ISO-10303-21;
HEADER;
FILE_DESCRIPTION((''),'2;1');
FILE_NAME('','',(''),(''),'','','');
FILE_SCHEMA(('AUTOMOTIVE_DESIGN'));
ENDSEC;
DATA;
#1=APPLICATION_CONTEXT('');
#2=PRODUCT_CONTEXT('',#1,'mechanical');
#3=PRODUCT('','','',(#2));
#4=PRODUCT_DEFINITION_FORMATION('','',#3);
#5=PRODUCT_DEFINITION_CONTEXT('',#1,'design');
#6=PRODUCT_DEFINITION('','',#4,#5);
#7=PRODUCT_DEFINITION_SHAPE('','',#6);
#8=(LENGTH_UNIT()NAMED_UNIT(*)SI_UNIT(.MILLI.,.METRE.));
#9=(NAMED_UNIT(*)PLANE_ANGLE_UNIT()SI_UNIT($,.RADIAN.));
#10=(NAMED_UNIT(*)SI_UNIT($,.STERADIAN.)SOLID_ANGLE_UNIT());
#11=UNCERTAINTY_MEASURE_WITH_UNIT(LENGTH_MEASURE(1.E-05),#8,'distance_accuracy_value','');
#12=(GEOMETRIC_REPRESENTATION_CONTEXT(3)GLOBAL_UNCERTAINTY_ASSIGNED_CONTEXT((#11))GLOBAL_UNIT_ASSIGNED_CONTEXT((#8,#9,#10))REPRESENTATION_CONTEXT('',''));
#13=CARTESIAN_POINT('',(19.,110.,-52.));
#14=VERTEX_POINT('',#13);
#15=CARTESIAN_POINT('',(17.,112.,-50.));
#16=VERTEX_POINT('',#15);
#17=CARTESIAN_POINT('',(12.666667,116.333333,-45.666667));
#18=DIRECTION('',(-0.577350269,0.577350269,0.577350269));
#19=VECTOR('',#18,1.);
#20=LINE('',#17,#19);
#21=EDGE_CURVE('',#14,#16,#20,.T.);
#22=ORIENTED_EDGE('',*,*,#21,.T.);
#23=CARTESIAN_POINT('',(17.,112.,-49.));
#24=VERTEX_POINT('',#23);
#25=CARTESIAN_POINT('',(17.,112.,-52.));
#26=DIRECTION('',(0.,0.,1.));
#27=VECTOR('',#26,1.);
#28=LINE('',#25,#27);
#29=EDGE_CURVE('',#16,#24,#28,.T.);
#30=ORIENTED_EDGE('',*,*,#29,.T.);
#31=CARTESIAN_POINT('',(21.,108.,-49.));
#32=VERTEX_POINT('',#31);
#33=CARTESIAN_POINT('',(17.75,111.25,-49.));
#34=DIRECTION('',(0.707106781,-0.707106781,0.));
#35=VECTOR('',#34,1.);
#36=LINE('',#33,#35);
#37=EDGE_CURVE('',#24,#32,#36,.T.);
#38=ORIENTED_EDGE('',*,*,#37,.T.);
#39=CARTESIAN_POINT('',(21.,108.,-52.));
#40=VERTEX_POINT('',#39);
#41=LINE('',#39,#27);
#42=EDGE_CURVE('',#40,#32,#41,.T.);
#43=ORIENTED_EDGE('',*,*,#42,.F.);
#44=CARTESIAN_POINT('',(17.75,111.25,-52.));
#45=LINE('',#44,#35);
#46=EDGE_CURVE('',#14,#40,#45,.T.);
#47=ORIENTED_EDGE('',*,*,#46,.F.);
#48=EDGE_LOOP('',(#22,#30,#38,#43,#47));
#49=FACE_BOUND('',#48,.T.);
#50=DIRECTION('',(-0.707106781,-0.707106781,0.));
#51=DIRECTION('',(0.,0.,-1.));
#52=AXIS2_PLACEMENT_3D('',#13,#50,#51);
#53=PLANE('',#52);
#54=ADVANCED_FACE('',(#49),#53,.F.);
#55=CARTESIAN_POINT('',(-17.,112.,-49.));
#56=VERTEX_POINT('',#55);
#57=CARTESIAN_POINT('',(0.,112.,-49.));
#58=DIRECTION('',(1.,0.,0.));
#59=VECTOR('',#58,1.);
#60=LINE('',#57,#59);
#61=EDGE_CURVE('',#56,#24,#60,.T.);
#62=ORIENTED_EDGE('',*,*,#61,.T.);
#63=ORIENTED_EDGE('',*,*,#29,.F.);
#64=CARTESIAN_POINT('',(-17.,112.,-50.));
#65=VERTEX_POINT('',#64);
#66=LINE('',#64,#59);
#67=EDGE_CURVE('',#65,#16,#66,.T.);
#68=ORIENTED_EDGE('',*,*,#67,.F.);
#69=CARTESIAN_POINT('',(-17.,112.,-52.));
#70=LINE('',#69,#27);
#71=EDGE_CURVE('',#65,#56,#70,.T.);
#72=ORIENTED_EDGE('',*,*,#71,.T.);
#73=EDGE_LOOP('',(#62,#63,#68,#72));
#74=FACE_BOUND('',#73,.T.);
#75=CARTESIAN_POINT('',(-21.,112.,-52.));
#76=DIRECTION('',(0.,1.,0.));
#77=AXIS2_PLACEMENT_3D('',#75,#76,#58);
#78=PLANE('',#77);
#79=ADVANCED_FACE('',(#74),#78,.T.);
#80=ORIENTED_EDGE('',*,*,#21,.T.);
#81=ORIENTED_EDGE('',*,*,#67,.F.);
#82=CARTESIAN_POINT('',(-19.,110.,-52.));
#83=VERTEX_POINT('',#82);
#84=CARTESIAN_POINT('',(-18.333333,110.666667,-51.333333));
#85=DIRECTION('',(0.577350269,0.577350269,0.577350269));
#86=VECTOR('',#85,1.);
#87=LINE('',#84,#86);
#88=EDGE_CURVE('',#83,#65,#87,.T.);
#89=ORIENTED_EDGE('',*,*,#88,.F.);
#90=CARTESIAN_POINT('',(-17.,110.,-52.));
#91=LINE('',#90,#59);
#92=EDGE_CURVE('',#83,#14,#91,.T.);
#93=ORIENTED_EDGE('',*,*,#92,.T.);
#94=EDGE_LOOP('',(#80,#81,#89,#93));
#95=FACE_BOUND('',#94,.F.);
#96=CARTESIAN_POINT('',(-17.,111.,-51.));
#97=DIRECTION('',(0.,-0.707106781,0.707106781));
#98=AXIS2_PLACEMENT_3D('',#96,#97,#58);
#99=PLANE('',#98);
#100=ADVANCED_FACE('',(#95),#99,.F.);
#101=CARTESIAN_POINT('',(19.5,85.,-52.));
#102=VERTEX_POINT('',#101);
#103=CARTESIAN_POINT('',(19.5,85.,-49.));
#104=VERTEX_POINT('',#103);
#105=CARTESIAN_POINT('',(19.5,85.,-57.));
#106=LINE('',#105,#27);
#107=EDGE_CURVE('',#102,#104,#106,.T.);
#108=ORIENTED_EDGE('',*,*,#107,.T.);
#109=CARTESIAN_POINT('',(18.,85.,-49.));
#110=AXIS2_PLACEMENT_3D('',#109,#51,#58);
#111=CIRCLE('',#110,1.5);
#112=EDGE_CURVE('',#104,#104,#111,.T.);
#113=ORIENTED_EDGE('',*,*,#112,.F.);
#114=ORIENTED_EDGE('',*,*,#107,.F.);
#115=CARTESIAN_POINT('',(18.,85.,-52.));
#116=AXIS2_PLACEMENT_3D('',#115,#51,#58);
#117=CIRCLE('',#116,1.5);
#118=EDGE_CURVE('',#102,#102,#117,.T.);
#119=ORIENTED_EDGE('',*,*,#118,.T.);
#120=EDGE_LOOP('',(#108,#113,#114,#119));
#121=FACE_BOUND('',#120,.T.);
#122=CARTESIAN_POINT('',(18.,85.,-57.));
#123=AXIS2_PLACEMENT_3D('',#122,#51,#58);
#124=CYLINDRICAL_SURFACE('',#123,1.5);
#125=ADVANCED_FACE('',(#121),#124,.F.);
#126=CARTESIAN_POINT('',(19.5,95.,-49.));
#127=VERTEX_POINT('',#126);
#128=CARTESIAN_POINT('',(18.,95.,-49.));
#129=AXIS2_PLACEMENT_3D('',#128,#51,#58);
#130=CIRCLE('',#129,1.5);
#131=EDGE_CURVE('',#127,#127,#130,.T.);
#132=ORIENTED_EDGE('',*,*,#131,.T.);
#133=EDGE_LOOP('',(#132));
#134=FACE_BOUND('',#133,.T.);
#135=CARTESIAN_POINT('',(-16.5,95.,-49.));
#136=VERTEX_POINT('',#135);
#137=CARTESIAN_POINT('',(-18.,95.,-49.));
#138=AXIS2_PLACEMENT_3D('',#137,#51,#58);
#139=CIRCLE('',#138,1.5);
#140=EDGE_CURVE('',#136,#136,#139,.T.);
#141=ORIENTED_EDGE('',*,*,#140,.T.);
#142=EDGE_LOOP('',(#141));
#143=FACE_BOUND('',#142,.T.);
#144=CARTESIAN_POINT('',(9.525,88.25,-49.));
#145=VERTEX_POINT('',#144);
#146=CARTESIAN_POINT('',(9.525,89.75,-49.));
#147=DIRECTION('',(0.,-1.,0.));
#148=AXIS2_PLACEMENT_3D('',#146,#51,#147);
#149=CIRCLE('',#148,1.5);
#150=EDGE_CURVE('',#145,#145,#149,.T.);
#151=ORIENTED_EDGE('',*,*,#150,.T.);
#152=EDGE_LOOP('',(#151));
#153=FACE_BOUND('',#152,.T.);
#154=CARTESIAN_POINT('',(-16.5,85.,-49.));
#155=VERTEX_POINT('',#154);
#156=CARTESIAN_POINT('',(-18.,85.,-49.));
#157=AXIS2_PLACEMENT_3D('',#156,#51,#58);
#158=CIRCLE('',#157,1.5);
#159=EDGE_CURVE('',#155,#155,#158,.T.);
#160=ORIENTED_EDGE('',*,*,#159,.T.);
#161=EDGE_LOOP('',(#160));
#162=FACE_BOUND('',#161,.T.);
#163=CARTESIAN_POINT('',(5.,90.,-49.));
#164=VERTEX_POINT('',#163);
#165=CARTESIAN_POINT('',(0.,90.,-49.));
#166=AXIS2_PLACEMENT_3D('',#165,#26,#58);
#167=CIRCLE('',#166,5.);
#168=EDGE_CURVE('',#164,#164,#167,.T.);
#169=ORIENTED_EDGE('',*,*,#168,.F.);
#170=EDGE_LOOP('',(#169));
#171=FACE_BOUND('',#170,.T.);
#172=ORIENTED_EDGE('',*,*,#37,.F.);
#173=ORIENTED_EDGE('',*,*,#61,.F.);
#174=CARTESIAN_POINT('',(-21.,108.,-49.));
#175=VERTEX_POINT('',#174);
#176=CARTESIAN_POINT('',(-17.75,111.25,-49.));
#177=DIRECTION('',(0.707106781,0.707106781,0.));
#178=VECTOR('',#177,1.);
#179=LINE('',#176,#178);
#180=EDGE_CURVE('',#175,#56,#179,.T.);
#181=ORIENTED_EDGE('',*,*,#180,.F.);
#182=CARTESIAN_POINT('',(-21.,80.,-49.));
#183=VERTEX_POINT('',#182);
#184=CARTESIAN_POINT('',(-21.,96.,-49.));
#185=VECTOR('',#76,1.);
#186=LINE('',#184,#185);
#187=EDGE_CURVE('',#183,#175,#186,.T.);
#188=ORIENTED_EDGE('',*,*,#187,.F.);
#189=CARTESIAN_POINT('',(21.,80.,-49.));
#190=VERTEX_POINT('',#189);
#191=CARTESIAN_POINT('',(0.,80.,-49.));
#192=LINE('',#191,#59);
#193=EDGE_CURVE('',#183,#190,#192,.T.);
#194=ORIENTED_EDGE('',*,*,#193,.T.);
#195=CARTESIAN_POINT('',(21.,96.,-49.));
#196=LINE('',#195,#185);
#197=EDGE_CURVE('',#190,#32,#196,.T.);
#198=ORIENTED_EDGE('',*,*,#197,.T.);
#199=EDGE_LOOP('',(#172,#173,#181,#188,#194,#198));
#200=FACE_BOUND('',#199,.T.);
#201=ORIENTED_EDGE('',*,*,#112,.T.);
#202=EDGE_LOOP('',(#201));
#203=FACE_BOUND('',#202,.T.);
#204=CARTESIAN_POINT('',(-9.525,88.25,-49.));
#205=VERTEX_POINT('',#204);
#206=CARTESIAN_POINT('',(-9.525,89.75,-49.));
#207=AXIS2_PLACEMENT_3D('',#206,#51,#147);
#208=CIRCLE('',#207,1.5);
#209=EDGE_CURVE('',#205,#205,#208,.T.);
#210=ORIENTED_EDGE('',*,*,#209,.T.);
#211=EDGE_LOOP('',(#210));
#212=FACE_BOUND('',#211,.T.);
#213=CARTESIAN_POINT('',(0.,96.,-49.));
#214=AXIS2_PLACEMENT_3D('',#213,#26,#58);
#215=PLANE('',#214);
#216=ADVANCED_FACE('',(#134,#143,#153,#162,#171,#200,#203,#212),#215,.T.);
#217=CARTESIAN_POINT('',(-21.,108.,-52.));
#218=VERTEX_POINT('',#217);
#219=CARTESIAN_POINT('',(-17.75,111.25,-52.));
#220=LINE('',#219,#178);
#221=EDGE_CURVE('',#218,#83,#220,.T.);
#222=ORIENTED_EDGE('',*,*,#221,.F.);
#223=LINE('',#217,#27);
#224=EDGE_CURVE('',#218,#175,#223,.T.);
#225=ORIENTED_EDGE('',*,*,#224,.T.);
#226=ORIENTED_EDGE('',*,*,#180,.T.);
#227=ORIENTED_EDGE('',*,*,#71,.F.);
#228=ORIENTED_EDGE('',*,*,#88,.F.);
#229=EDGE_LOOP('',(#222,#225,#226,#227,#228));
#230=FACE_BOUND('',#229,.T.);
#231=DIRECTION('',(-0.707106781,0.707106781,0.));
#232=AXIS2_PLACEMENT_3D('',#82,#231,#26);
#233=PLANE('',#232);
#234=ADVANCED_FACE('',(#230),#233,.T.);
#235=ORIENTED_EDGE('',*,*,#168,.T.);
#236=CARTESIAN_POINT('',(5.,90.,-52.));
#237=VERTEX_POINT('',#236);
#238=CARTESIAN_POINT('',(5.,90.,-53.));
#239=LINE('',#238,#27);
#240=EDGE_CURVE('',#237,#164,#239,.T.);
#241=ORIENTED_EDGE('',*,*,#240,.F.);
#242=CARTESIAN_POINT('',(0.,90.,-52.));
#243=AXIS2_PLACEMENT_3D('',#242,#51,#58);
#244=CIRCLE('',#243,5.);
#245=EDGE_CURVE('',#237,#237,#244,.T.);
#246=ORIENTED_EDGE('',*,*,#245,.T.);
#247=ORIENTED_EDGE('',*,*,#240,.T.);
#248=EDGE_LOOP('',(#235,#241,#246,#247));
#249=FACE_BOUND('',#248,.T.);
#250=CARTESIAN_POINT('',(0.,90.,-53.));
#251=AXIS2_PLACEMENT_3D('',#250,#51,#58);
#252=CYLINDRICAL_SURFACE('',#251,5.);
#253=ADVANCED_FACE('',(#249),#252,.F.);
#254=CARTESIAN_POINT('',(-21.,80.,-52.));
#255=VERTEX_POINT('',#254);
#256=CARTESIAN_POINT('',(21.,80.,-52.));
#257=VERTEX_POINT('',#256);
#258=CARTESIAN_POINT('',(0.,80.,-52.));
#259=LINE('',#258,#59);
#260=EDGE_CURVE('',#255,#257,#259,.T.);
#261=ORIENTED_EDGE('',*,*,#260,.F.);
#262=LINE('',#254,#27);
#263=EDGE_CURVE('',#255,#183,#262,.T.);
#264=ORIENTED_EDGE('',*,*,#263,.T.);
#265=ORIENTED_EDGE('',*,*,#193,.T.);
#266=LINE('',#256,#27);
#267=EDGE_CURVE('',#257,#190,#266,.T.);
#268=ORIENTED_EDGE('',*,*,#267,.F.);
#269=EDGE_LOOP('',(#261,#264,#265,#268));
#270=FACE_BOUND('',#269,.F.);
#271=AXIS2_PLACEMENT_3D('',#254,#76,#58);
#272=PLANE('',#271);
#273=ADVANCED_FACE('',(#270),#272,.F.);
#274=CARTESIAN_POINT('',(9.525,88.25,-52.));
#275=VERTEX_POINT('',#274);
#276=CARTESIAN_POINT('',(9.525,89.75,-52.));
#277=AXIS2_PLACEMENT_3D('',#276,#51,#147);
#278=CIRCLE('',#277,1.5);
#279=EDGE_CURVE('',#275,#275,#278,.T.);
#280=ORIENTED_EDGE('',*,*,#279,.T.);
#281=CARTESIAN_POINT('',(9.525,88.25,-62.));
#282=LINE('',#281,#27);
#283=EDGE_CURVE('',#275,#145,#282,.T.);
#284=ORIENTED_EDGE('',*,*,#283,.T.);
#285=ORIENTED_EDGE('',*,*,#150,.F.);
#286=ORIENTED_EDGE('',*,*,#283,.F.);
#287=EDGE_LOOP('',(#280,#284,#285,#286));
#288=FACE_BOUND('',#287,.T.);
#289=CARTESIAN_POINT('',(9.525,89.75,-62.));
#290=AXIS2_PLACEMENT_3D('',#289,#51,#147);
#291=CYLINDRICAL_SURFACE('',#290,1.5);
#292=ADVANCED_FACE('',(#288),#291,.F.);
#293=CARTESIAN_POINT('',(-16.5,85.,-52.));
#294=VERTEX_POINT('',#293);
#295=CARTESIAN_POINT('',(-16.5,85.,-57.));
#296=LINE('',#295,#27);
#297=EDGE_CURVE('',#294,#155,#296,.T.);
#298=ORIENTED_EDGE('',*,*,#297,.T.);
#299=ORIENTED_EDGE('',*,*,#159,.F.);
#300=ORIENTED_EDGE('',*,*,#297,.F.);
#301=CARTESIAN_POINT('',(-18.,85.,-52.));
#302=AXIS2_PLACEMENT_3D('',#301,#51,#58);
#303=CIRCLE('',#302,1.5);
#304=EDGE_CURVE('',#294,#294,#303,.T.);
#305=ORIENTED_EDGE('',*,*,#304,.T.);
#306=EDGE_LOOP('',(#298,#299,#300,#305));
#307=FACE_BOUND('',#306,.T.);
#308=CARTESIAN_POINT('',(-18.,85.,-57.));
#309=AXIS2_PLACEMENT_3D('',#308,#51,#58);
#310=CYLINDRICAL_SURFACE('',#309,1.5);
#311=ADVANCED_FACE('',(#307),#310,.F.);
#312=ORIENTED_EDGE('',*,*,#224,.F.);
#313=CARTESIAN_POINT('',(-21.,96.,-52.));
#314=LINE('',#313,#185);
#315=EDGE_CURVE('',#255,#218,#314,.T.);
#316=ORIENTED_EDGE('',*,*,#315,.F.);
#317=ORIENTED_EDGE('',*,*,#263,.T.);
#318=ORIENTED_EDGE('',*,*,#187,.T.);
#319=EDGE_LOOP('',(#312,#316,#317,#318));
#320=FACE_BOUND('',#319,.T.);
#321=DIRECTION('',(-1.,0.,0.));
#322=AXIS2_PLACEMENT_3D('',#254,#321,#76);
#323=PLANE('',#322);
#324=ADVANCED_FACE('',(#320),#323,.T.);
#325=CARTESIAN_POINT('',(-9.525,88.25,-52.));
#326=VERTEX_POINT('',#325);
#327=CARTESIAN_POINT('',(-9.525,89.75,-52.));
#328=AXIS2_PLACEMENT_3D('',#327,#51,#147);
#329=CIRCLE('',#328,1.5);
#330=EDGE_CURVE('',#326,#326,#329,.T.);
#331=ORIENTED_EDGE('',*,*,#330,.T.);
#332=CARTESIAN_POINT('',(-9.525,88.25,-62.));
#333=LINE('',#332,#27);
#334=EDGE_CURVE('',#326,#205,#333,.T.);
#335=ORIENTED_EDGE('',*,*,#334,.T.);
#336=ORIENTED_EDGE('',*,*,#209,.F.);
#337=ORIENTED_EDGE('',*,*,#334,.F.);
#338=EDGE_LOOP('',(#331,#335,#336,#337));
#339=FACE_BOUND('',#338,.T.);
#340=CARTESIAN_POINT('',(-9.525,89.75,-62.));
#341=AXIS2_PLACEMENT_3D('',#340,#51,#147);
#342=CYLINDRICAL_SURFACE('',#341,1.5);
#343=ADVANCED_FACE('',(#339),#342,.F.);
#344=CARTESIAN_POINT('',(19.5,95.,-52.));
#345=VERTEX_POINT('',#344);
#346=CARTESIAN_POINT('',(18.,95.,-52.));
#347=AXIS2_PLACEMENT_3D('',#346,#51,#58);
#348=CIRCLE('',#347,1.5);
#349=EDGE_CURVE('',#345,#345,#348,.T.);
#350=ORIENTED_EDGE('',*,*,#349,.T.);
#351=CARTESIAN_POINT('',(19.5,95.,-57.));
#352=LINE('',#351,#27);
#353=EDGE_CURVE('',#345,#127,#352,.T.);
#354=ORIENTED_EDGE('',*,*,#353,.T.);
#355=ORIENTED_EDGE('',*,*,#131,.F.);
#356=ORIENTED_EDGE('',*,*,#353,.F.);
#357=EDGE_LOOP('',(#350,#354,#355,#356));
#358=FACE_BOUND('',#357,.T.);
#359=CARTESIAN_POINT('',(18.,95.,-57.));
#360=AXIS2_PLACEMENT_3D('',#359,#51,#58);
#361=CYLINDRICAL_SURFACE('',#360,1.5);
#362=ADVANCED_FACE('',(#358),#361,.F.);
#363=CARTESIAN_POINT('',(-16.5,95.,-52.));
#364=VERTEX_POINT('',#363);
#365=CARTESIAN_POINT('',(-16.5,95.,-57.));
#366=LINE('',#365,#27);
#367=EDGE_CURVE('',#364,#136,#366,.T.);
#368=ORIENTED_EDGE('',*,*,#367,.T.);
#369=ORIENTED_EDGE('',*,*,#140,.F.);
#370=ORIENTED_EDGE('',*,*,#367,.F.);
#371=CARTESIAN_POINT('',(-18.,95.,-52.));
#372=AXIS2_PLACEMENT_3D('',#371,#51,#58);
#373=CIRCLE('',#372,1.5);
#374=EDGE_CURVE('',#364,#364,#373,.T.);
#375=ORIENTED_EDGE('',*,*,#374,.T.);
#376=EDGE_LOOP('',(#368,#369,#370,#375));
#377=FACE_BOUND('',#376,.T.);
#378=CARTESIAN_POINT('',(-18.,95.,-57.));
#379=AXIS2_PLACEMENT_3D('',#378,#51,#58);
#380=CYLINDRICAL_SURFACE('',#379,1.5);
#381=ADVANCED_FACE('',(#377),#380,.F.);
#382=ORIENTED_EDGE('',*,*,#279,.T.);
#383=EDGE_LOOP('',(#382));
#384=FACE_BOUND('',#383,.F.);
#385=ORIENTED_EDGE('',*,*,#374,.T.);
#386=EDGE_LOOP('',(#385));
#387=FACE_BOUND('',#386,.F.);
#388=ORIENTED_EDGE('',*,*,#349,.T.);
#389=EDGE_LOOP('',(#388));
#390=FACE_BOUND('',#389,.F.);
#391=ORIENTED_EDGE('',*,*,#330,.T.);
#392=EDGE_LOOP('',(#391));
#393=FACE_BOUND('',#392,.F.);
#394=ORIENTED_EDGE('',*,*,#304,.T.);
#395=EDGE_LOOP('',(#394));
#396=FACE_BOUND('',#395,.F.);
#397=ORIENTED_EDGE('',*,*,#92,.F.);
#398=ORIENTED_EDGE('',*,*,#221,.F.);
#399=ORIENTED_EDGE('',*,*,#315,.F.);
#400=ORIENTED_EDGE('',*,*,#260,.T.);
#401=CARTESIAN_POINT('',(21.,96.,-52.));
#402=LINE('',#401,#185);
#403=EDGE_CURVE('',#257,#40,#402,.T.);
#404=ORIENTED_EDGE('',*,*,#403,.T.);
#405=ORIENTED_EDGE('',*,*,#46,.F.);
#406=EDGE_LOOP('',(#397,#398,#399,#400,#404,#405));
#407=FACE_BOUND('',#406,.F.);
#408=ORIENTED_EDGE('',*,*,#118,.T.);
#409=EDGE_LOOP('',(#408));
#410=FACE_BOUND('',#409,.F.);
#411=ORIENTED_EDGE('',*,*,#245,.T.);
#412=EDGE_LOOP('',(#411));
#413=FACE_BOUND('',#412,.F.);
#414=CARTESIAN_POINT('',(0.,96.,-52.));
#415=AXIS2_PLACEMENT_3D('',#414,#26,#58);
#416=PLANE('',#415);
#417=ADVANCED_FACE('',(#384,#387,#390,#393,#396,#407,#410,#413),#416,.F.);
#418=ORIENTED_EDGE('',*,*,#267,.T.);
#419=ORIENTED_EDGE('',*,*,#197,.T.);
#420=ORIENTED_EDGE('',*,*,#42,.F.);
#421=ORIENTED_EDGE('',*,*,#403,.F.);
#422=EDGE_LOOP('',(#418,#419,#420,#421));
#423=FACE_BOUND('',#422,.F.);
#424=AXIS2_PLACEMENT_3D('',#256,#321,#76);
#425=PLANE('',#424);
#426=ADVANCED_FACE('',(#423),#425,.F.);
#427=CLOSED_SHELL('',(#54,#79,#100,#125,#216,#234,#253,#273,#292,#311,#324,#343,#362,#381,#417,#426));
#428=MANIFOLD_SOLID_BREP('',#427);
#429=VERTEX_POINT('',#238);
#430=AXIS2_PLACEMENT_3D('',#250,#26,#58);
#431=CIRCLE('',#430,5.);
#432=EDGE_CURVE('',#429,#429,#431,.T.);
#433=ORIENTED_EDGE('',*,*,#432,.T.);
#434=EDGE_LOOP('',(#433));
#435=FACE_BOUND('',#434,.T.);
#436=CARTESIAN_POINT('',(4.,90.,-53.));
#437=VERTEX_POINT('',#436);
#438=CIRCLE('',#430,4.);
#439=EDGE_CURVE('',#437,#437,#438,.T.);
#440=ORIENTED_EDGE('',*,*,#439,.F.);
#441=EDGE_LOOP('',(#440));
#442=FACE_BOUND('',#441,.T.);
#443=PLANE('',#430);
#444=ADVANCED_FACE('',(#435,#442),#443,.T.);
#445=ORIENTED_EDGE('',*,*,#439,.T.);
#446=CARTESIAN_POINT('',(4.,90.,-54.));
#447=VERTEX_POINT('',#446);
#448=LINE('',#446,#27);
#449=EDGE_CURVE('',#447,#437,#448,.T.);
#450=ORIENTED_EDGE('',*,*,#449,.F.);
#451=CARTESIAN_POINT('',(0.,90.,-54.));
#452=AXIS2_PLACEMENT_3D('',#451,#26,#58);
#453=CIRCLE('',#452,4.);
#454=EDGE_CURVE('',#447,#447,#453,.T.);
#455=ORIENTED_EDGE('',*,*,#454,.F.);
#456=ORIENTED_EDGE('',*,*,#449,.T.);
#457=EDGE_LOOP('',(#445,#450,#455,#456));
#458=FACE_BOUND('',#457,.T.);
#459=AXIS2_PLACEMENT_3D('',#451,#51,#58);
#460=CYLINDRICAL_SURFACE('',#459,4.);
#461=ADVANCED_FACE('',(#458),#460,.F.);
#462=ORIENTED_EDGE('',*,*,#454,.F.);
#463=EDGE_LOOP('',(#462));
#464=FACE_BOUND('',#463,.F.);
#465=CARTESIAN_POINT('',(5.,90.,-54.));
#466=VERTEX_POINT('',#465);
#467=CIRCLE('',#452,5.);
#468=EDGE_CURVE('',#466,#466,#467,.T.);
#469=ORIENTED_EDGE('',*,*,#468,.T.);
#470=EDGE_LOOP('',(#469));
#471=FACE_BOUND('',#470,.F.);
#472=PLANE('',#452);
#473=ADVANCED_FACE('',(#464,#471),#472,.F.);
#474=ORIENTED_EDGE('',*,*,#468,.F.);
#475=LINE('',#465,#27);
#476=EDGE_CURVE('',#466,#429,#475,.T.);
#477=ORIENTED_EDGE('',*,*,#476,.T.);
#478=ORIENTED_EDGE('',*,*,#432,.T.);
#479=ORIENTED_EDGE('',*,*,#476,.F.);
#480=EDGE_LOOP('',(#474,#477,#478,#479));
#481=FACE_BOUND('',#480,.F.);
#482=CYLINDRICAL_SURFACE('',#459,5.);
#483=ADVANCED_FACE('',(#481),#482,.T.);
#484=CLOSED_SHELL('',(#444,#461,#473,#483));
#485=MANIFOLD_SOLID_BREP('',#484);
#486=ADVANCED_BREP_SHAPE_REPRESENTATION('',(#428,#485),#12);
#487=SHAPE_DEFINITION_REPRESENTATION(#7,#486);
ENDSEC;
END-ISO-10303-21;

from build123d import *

# Parameters (mm, degrees)
TUBE066_R                   = 5
TUBE066_R_2                 = 4
TUBE066_DEPTH               = 1
CYLINDER1691_R              = 1.5
CYLINDER1691_DEPTH          = 20
CYLINDER1688_R              = 1.5
CYLINDER1688_DEPTH          = 20
COMPOUND839_ROLL_ANGLE      = 90
COMPOUND839_PLACEMENT_ANGLE = 90
CYLINDER1679_R              = 1.5
CYLINDER1679_DEPTH          = 60
CYLINDER1686_R              = 1.5
CYLINDER1686_DEPTH          = 60
CYLINDER1680_R              = 1.5
CYLINDER1680_DEPTH          = 60
CYLINDER1684_R              = 1.5
CYLINDER1684_DEPTH          = 60
CYLINDER1678_R              = 5
CYLINDER1678_DEPTH          = 4
BOX658_W                    = 42
BOX658_H                    = 32
BOX658_DEPTH                = 3
CHAMFER052_SIZE             = 4
CHAMFER051_SIZE             = 2


with BuildPart() as tube066:
    # Tube066 → Tube066 (new body)
    with BuildSketch(Plane(origin=(0, 90, -54), x_dir=(1, 0, 0), z_dir=(0, 0, 1))):
        Circle(TUBE066_R)
        Circle(TUBE066_R_2, mode=Mode.SUBTRACT)
    extrude(amount=TUBE066_DEPTH)


with BuildPart() as v_lec1691:
    # Cylinder1691 → Cylinder1691 (new body)
    with BuildSketch(Plane(origin=(15.75, 114, 58.525), x_dir=(-1, 0, 0), z_dir=(0, 1, 0))):
        Circle(CYLINDER1691_R)
    extrude(amount=CYLINDER1691_DEPTH)


with BuildPart() as compound843:
    # Cylinder1688 → Cylinder1688 (new body)
    with BuildSketch(Plane(origin=(15.75, 114, 39.475), x_dir=(-1, 0, 0), z_dir=(0, 1, 0))):
        Circle(CYLINDER1688_R)
    extrude(amount=CYLINDER1688_DEPTH)

    # Compound839: union Válec1691
    add(v_lec1691.part)


with BuildPart() as compound843_1:
    # Compound839 roll: moved
    add(compound843.part.rotate(Axis((0, 0, 0), (1, 0, 0)), COMPOUND839_ROLL_ANGLE))


with BuildPart() as compound843_2:
    # Compound839 placement: moved
    add(compound843_1.part.moved(Location((-49, 0, -96))).rotate(Axis((-49, 0, -96), (0, 0, 1)), COMPOUND839_PLACEMENT_ANGLE))


with BuildPart() as compound843_3:
    # Compound843 placement: moved
    add(compound843_2.part.moved(Location((0, 74, -80))))


with BuildPart() as v_lec1679:
    # Cylinder1679 → Cylinder1679 (new body)
    with BuildSketch(Plane(origin=(18, 85, -57), x_dir=(1, 0, 0), z_dir=(0, 0, 1))):
        Circle(CYLINDER1679_R)
    extrude(amount=CYLINDER1679_DEPTH)


with BuildPart() as v_lec1686:
    # Cylinder1686 → Cylinder1686 (new body)
    with BuildSketch(Plane(origin=(-18, 85, -57), x_dir=(1, 0, 0), z_dir=(0, 0, 1))):
        Circle(CYLINDER1686_R)
    extrude(amount=CYLINDER1686_DEPTH)


with BuildPart() as v_lec1680:
    # Cylinder1680 → Cylinder1680 (new body)
    with BuildSketch(Plane(origin=(-18, 95, -57), x_dir=(1, 0, 0), z_dir=(0, 0, 1))):
        Circle(CYLINDER1680_R)
    extrude(amount=CYLINDER1680_DEPTH)


with BuildPart() as compound835:
    # Cylinder1684 → Cylinder1684 (new body)
    with BuildSketch(Plane(origin=(18, 95, -57), x_dir=(1, 0, 0), z_dir=(0, 0, 1))):
        Circle(CYLINDER1684_R)
    extrude(amount=CYLINDER1684_DEPTH)

    # Compound835: union Válec1679, Válec1686, Válec1680
    add(v_lec1679.part)
    add(v_lec1686.part)
    add(v_lec1680.part)


with BuildPart() as v_lec1678:
    # Cylinder1678 → Cylinder1678 (new body)
    with BuildSketch(Plane(origin=(0, 90, -53), x_dir=(1, 0, 0), z_dir=(0, 0, 1))):
        Circle(CYLINDER1678_R)
    extrude(amount=CYLINDER1678_DEPTH)


with BuildPart() as chamfer051:
    # Box658 → Box658 (new body)
    with BuildSketch(Plane(origin=(-21, 80, -52), x_dir=(1, 0, 0), z_dir=(0, 0, 1))):
        with Locations((21, 16)):
            Rectangle(BOX658_W, BOX658_H)
    extrude(amount=BOX658_DEPTH)

    # Cut336: cut Válec1678
    add(v_lec1678.part, mode=Mode.SUBTRACT)

    # Cut343: cut Compound835
    add(compound835.part, mode=Mode.SUBTRACT)

    # Cut342: cut Compound843
    add(compound843_3.part, mode=Mode.SUBTRACT)

    # Compound838: union Tube066
    add(tube066.part)

    # Chamfer052
    chamfer052_edges = [chamfer051.edges().sort_by_distance(p)[0] for p in [
        (-21, 112, -50.5),
        (21, 112, -50.5),
    ]]
    chamfer(chamfer052_edges, length=CHAMFER052_SIZE)

    # Chamfer051
    chamfer051_edges = [chamfer051.edges().sort_by_distance(p)[0] for p in [
        (0, 112, -52),
    ]]
    chamfer(chamfer051_edges, length=CHAMFER051_SIZE)


solid = chamfer051.part
